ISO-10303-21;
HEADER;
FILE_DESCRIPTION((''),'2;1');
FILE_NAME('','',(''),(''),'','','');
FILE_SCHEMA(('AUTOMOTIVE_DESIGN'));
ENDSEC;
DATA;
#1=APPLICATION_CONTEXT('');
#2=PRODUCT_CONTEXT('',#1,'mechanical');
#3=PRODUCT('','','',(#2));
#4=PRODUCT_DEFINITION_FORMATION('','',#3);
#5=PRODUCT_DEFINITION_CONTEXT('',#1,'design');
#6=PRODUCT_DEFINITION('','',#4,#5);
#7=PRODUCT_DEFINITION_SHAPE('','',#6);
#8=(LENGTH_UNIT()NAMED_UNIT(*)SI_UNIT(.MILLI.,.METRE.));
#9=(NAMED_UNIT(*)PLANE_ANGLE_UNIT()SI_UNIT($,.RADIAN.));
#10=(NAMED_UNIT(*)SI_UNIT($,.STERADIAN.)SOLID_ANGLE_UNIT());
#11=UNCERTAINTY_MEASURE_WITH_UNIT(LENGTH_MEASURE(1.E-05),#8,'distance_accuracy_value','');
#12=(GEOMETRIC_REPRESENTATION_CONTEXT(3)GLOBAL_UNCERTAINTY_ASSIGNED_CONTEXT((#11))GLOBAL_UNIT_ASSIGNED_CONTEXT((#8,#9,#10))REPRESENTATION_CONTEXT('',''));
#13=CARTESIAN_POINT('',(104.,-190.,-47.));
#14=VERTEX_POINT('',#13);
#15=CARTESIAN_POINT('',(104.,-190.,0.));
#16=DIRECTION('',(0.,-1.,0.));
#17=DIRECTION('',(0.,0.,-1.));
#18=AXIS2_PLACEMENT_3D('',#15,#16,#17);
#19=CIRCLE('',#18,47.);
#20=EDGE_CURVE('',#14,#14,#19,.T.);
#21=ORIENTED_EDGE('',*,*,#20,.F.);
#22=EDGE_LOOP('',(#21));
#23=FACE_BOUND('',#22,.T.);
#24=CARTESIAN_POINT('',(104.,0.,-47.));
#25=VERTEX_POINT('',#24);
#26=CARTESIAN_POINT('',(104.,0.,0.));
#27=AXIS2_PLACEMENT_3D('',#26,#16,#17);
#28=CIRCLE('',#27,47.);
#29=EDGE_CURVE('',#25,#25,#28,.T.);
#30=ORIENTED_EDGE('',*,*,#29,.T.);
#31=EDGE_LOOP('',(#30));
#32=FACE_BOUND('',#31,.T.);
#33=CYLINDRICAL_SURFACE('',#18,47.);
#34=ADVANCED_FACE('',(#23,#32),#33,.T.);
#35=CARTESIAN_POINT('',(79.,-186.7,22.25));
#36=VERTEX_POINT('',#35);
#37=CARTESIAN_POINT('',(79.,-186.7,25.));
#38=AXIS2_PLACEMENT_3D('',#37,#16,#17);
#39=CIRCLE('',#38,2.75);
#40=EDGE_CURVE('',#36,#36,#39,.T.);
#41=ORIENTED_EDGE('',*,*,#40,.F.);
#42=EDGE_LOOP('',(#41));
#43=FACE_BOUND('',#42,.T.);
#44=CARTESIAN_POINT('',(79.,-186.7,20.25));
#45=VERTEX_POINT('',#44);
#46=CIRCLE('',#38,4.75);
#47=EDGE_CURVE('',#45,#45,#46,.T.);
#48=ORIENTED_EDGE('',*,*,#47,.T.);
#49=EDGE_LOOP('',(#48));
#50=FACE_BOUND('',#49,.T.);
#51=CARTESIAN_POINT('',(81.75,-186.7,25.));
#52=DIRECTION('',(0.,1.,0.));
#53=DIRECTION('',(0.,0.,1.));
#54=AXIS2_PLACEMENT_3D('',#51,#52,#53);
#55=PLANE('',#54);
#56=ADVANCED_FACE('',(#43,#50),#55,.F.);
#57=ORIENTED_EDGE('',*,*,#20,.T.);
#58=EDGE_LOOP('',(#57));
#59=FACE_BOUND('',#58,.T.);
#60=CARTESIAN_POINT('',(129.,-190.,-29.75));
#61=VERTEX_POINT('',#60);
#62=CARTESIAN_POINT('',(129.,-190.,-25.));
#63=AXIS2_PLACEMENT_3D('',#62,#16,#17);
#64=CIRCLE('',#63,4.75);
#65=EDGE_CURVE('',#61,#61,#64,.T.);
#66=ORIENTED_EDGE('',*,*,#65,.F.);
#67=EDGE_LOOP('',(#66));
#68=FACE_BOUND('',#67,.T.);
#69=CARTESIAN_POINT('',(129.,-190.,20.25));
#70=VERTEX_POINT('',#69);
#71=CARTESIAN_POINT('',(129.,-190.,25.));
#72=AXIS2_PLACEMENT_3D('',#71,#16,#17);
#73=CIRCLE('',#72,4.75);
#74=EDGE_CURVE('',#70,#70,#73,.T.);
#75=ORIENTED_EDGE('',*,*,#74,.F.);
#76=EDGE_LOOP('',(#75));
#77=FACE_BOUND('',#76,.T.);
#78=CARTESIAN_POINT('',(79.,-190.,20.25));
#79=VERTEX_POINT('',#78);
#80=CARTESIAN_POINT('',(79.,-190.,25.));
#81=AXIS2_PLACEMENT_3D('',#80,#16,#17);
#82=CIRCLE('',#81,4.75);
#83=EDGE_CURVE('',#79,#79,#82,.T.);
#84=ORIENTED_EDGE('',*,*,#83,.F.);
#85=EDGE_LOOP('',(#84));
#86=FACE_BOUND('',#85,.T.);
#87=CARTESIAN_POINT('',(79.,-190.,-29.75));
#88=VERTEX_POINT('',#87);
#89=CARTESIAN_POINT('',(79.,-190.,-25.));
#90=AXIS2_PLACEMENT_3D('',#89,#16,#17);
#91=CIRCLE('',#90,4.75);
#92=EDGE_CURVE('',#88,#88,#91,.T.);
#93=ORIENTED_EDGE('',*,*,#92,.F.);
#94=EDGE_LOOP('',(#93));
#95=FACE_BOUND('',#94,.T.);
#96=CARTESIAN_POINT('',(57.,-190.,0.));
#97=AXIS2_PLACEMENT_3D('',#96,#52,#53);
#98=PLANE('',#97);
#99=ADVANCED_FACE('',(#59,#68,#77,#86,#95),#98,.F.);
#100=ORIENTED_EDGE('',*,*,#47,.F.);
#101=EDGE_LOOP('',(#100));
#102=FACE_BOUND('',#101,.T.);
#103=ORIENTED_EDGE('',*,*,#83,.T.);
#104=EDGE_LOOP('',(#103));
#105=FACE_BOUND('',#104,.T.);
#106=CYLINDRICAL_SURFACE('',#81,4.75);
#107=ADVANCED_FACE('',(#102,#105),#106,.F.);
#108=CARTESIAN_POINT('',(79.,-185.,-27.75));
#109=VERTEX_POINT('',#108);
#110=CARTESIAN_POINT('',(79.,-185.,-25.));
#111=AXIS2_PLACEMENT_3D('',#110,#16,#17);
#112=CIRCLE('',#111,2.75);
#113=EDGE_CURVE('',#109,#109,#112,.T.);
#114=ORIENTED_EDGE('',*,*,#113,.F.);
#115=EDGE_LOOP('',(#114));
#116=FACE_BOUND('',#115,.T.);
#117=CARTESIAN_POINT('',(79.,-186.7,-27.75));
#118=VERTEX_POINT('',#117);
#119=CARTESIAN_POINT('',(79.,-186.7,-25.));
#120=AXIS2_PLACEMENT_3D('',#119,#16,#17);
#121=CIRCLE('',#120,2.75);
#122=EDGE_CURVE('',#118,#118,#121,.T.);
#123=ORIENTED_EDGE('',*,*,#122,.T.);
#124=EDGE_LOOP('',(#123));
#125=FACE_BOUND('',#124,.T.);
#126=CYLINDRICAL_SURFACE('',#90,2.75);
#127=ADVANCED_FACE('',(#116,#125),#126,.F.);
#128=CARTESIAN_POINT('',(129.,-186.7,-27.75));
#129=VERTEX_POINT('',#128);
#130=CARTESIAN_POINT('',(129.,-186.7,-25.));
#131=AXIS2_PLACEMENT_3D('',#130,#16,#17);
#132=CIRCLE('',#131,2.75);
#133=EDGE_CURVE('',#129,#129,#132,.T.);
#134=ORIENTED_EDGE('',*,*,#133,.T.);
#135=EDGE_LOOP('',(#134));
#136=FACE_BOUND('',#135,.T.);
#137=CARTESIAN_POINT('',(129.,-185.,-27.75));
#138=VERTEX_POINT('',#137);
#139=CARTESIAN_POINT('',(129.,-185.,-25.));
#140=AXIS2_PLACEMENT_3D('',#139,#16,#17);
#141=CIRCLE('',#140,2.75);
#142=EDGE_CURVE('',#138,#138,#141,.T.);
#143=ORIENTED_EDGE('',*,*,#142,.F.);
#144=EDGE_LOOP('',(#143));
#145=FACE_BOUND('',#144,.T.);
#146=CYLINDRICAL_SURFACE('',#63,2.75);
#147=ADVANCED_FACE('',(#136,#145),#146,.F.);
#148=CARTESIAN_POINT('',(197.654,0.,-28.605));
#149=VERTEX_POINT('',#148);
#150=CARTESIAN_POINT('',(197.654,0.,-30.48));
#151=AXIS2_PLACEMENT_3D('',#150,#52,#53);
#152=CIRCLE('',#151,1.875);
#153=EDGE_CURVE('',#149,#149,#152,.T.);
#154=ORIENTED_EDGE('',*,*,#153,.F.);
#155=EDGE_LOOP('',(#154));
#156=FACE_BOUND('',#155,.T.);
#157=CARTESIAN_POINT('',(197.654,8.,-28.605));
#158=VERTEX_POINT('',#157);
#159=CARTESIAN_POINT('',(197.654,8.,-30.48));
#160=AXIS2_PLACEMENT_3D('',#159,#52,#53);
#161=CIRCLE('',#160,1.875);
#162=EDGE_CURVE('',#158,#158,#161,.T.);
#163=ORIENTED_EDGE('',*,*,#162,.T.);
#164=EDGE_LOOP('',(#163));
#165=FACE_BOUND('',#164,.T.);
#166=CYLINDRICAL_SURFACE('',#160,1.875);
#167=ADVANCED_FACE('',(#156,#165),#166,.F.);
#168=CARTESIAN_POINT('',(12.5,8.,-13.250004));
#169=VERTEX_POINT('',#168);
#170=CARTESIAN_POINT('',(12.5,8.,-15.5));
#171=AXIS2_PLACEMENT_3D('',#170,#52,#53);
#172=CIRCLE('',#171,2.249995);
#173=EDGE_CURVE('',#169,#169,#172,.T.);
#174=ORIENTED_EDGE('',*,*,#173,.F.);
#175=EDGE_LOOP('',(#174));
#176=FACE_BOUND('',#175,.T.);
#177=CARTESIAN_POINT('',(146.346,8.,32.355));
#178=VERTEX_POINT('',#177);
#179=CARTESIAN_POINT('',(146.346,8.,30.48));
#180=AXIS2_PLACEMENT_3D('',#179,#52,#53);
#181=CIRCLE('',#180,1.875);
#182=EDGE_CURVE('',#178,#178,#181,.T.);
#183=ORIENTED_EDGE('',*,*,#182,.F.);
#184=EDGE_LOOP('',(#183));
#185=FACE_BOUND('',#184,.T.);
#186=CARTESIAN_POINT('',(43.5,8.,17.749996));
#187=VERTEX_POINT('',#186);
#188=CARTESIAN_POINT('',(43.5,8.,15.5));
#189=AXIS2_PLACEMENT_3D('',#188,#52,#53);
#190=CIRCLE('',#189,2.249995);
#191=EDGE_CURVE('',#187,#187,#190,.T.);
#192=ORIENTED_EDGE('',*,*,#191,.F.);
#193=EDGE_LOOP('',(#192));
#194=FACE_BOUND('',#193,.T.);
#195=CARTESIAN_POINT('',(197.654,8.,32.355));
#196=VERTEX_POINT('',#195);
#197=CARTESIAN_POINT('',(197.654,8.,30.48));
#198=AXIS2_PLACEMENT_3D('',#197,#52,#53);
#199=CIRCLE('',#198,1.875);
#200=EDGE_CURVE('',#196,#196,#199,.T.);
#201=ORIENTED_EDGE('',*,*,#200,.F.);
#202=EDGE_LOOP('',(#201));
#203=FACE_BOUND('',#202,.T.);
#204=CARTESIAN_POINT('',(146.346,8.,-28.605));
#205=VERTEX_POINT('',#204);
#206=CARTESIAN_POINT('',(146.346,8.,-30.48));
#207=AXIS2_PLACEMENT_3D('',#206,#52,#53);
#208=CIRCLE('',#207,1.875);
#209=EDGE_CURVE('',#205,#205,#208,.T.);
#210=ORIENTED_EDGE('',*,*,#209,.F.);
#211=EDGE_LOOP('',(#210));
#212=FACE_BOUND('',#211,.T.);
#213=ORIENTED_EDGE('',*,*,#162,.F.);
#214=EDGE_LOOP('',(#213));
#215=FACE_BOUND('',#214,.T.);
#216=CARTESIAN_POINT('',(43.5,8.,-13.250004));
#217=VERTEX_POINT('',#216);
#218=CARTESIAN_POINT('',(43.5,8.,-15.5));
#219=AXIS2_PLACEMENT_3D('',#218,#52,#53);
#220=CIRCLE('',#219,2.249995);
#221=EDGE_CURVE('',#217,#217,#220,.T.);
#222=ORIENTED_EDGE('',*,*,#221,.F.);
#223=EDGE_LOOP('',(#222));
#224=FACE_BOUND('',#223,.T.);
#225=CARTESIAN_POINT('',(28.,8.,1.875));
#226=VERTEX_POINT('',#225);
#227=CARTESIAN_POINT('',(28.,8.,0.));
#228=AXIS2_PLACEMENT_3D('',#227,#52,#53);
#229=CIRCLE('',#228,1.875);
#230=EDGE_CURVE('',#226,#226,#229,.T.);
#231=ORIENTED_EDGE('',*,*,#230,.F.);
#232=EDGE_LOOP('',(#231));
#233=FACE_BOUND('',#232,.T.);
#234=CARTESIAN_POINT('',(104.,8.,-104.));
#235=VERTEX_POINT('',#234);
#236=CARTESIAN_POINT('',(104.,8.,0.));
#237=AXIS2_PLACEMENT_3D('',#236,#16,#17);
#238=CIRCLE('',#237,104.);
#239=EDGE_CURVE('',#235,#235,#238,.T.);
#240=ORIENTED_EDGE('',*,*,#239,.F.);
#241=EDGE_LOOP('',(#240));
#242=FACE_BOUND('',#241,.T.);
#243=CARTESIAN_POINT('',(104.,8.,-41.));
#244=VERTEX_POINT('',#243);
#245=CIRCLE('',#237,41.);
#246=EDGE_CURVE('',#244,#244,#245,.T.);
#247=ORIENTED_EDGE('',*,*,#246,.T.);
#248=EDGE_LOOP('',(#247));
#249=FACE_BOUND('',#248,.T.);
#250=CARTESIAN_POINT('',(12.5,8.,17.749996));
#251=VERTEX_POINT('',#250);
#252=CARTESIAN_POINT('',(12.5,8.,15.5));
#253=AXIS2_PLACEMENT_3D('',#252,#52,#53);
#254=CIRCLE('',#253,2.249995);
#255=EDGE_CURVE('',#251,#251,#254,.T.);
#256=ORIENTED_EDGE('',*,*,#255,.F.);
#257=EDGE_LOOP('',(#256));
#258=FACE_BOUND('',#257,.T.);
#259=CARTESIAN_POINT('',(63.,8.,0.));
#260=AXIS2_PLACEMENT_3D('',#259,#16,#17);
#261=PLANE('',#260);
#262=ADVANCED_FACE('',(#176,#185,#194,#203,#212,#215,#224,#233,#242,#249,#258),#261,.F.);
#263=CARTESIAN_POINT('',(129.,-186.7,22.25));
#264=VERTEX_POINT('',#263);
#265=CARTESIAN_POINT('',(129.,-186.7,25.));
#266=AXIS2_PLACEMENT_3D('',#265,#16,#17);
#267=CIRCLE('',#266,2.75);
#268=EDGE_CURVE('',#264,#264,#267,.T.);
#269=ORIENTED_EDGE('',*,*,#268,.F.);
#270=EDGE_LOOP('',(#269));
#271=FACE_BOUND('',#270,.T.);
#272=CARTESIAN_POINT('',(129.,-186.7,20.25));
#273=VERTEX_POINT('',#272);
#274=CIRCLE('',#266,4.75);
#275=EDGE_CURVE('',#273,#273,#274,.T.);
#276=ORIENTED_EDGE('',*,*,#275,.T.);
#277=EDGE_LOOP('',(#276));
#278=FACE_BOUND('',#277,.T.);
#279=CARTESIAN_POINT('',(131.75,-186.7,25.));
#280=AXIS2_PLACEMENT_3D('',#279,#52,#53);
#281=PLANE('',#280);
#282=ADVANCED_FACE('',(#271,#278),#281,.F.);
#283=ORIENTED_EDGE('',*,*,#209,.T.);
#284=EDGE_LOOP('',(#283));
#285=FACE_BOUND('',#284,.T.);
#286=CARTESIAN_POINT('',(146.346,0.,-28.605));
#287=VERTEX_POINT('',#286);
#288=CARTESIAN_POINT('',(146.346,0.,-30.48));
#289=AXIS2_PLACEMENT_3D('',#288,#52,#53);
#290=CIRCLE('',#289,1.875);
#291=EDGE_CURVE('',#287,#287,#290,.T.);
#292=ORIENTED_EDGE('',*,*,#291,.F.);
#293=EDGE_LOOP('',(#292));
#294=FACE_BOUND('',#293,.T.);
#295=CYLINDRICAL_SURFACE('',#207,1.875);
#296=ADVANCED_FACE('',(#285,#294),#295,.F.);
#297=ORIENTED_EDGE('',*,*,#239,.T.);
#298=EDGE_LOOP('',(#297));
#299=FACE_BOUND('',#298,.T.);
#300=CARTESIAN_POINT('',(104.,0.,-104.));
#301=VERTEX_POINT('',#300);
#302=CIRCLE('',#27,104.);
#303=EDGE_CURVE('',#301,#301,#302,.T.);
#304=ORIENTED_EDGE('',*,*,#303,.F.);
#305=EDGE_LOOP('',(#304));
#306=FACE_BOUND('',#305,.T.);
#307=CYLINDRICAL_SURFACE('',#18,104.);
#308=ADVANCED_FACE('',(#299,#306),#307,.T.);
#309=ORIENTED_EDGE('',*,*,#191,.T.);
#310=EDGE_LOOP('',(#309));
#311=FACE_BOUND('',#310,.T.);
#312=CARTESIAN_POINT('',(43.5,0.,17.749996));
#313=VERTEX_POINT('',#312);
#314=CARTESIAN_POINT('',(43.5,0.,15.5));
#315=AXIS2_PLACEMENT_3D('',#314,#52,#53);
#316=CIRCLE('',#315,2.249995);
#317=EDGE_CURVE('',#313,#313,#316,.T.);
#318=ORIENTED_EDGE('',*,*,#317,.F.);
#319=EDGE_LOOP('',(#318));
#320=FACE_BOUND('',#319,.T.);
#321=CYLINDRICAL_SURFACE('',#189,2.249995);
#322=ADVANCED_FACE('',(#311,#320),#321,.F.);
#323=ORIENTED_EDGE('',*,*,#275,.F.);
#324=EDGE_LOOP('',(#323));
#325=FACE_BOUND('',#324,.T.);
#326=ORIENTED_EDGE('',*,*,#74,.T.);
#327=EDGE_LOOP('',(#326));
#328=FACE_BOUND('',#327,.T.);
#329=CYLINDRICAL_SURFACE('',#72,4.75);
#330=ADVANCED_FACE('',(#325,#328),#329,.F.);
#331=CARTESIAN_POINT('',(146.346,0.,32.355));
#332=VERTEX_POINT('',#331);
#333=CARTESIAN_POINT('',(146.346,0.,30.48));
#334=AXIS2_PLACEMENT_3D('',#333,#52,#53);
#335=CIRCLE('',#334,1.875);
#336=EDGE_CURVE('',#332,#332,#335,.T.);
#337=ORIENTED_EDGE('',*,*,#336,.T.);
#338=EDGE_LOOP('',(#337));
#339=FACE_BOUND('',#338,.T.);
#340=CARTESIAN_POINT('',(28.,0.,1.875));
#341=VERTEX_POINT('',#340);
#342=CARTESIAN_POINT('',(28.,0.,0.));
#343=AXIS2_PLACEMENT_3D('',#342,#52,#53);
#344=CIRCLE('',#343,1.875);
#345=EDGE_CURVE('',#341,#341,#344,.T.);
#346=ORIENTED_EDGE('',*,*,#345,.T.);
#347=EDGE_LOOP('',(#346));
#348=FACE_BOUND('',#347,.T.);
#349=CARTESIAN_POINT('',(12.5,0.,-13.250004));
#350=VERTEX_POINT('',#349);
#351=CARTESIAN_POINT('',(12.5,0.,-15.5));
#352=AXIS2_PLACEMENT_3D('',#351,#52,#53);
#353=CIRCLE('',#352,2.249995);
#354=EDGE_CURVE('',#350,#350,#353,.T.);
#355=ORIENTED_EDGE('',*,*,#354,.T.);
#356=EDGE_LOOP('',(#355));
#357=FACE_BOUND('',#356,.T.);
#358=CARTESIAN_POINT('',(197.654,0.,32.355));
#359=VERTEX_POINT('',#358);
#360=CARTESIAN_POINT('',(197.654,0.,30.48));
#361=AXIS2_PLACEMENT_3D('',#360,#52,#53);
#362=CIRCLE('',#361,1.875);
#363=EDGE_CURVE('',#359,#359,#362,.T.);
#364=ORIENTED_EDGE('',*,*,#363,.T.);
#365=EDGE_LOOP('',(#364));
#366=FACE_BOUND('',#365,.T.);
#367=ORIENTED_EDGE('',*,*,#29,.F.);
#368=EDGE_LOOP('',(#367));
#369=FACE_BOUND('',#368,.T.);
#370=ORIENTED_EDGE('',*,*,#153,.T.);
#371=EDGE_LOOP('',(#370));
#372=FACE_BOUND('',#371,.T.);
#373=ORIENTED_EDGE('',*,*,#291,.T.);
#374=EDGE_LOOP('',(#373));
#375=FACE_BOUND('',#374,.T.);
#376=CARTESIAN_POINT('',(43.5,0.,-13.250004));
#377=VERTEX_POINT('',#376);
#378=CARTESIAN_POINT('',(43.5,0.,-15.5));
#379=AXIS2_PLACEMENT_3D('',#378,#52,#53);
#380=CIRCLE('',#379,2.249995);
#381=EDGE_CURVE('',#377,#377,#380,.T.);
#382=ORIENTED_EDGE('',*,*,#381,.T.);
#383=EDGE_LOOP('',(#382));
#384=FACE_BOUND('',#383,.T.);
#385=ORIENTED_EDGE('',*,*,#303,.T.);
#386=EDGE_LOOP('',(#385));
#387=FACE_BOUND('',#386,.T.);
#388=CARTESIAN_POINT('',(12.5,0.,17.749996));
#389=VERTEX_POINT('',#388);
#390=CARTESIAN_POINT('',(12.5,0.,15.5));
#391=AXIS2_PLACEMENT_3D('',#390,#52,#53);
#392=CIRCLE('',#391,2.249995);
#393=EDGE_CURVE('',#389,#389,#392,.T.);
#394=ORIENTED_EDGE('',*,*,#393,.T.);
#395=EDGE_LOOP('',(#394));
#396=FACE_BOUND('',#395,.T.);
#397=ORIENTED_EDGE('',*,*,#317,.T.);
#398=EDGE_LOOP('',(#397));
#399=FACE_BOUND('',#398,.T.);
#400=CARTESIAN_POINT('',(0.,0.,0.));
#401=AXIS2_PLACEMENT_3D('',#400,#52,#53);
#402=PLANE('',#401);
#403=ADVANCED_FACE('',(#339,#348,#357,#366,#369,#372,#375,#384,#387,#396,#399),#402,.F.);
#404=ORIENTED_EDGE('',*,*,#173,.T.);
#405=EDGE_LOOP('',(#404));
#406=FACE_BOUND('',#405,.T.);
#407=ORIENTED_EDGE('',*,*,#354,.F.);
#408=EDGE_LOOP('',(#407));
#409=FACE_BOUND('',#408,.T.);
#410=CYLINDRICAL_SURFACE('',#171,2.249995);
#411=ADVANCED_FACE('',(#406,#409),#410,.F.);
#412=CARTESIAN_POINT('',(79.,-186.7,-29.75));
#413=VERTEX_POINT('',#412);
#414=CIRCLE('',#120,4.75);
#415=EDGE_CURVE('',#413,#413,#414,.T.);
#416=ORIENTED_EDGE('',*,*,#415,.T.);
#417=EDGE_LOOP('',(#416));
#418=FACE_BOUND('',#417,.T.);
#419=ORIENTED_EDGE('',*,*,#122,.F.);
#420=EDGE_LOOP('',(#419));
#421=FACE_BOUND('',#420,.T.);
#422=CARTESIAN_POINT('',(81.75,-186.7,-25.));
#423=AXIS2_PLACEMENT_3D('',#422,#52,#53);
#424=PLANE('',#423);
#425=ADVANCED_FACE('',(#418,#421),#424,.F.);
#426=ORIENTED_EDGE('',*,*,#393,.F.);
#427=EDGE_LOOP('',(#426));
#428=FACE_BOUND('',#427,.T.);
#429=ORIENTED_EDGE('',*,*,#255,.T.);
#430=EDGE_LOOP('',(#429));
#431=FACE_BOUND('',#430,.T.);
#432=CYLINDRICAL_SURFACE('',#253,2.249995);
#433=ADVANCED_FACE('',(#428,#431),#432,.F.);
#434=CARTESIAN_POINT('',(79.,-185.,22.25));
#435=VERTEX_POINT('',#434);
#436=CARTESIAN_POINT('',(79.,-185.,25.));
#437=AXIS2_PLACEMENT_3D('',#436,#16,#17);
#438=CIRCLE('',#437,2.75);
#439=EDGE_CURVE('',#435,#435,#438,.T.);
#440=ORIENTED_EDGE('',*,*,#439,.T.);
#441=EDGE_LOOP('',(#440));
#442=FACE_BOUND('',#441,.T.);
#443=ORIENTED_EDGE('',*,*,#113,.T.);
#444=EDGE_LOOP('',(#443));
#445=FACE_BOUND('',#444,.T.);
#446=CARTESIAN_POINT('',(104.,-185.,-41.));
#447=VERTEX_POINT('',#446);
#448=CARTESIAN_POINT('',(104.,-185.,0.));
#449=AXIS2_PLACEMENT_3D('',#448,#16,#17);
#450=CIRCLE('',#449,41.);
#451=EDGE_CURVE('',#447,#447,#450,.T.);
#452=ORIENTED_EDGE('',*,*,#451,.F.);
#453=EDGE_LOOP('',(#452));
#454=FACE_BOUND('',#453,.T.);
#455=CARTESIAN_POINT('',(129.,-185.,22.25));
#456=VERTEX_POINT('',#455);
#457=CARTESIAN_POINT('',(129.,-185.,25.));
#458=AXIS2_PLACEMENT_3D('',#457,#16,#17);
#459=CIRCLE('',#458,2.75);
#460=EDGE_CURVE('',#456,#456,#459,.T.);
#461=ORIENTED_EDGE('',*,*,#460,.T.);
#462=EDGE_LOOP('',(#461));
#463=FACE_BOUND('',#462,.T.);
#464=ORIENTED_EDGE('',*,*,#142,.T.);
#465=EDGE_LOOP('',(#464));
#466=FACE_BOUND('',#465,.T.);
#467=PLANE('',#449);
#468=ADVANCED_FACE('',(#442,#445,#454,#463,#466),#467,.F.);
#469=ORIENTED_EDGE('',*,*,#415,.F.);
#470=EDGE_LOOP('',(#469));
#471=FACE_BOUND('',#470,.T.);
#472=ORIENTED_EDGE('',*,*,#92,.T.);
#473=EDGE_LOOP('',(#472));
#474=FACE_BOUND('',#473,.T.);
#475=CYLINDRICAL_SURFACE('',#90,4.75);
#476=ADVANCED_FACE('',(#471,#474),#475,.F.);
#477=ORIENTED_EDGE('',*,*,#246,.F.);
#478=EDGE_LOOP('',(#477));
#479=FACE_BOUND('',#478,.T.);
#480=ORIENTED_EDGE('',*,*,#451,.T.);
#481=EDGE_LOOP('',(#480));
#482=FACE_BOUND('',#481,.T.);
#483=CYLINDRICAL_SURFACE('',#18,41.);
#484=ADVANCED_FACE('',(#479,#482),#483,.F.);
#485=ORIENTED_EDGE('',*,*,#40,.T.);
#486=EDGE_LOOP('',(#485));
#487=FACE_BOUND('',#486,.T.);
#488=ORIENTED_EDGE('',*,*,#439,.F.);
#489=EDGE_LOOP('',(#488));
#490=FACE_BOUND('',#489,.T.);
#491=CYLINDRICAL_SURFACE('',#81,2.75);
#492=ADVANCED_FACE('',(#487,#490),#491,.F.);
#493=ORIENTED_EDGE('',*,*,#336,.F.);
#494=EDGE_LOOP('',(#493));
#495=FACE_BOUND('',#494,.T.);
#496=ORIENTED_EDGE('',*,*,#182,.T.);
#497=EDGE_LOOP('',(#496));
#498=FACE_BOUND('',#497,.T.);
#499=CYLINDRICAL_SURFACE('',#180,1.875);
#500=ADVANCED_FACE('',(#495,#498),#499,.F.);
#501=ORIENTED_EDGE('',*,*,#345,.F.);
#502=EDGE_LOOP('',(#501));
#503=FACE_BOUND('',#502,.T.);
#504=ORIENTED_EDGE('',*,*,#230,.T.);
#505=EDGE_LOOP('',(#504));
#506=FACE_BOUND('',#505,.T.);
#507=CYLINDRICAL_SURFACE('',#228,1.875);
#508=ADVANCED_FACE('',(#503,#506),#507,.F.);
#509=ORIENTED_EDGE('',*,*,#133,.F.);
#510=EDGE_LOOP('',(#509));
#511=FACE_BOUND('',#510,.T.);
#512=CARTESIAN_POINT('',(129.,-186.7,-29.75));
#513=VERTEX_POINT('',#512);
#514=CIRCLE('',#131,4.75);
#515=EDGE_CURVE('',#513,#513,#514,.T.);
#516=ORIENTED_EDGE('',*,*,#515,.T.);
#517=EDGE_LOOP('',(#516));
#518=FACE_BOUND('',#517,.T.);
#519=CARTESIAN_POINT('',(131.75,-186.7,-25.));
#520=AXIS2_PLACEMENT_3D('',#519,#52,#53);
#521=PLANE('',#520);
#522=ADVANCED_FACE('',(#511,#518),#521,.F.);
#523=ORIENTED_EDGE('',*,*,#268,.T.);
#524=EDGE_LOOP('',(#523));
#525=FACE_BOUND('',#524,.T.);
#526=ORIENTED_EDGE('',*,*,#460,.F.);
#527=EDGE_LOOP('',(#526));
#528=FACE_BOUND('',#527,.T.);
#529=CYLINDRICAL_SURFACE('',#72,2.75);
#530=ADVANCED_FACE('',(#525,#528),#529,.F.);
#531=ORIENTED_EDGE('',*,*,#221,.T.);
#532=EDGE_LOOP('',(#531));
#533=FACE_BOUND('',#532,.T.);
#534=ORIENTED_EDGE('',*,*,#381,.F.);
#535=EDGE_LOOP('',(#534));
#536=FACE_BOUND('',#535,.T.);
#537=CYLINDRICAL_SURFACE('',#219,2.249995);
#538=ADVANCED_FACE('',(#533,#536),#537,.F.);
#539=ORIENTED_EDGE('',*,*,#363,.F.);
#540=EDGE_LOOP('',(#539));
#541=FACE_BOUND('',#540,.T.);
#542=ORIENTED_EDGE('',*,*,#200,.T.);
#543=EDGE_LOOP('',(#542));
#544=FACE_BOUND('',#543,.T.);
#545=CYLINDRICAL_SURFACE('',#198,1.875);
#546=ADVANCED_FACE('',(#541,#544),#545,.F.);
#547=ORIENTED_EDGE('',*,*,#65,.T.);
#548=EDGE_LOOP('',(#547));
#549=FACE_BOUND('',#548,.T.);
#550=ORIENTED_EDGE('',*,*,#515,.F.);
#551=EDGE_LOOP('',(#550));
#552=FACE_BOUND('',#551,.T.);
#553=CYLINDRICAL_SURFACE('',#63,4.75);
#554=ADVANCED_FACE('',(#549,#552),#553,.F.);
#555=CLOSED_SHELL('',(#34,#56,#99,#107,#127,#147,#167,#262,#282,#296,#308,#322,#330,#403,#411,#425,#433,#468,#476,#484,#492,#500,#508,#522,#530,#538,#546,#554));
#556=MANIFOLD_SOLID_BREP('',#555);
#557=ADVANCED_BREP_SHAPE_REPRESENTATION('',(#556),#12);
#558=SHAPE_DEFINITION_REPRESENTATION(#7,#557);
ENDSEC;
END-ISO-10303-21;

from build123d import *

# Parameters (mm, degrees)
F_10_24_TAPPED_HOLE3_D                      = 3.75000012
F_10_24_TAPPED_HOLE4_D                      = 3.75000012
F_10_24_TAPPED_HOLE5_D                      = 4.499991
CBORE_FOR_M5_CHEESE_HEAD_SCREW1_D           = 5.5
CBORE_FOR_M5_CHEESE_HEAD_SCREW1_CBORE_D     = 9.5
CBORE_FOR_M5_CHEESE_HEAD_SCREW1_CBORE_DEPTH = 3.3


with BuildPart() as part:
    # Sketch1 → Revolve1 (revolve)
    with BuildSketch(Plane.XY):
        Polygon((0, 0), (57, 0), (57, -190), (104, -190), (104, -185), (63, -185), (63, 8), (0, 8), align=None)
    revolve(axis=Axis((104, -190, 0), (0, 1, 0)))

    # #10-24 Tapped Hole3 (through all)
    with Locations(Plane(origin=(0, 8, 0), x_dir=(1, 0, 0), z_dir=(0, 1, 0))):
        with Locations((146.346, 30.48), (197.654, 30.48), (197.654, -30.48), (146.346, -30.48)):
            Hole(F_10_24_TAPPED_HOLE3_D / 2)

    # #10-24 Tapped Hole4 (through all)
    with Locations(Plane(origin=(0, 8, 0), x_dir=(1, 0, 0), z_dir=(0, 1, 0))):
        with Locations((28, 0)):
            Hole(F_10_24_TAPPED_HOLE4_D / 2)

    # #10-24 Tapped Hole5 (through all)
    with Locations(Plane(origin=(0, 8, 0), x_dir=(1, 0, 0), z_dir=(0, 1, 0))):
        with Locations((12.5, 15.5), (43.5, 15.5), (43.5, -15.5), (12.5, -15.5)):
            Hole(F_10_24_TAPPED_HOLE5_D / 2)

    # CBORE for M5 Cheese Head Screw1 (through all)
    with Locations(Plane(origin=(0, -190, 0), x_dir=(-1, 0, 0), z_dir=(0, -1, 0))):
        with Locations((-79, -25), (-79, 25), (-129, 25), (-129, -25)):
            CounterBoreHole(CBORE_FOR_M5_CHEESE_HEAD_SCREW1_D / 2, CBORE_FOR_M5_CHEESE_HEAD_SCREW1_CBORE_D / 2, CBORE_FOR_M5_CHEESE_HEAD_SCREW1_CBORE_DEPTH)


solid = part.part
